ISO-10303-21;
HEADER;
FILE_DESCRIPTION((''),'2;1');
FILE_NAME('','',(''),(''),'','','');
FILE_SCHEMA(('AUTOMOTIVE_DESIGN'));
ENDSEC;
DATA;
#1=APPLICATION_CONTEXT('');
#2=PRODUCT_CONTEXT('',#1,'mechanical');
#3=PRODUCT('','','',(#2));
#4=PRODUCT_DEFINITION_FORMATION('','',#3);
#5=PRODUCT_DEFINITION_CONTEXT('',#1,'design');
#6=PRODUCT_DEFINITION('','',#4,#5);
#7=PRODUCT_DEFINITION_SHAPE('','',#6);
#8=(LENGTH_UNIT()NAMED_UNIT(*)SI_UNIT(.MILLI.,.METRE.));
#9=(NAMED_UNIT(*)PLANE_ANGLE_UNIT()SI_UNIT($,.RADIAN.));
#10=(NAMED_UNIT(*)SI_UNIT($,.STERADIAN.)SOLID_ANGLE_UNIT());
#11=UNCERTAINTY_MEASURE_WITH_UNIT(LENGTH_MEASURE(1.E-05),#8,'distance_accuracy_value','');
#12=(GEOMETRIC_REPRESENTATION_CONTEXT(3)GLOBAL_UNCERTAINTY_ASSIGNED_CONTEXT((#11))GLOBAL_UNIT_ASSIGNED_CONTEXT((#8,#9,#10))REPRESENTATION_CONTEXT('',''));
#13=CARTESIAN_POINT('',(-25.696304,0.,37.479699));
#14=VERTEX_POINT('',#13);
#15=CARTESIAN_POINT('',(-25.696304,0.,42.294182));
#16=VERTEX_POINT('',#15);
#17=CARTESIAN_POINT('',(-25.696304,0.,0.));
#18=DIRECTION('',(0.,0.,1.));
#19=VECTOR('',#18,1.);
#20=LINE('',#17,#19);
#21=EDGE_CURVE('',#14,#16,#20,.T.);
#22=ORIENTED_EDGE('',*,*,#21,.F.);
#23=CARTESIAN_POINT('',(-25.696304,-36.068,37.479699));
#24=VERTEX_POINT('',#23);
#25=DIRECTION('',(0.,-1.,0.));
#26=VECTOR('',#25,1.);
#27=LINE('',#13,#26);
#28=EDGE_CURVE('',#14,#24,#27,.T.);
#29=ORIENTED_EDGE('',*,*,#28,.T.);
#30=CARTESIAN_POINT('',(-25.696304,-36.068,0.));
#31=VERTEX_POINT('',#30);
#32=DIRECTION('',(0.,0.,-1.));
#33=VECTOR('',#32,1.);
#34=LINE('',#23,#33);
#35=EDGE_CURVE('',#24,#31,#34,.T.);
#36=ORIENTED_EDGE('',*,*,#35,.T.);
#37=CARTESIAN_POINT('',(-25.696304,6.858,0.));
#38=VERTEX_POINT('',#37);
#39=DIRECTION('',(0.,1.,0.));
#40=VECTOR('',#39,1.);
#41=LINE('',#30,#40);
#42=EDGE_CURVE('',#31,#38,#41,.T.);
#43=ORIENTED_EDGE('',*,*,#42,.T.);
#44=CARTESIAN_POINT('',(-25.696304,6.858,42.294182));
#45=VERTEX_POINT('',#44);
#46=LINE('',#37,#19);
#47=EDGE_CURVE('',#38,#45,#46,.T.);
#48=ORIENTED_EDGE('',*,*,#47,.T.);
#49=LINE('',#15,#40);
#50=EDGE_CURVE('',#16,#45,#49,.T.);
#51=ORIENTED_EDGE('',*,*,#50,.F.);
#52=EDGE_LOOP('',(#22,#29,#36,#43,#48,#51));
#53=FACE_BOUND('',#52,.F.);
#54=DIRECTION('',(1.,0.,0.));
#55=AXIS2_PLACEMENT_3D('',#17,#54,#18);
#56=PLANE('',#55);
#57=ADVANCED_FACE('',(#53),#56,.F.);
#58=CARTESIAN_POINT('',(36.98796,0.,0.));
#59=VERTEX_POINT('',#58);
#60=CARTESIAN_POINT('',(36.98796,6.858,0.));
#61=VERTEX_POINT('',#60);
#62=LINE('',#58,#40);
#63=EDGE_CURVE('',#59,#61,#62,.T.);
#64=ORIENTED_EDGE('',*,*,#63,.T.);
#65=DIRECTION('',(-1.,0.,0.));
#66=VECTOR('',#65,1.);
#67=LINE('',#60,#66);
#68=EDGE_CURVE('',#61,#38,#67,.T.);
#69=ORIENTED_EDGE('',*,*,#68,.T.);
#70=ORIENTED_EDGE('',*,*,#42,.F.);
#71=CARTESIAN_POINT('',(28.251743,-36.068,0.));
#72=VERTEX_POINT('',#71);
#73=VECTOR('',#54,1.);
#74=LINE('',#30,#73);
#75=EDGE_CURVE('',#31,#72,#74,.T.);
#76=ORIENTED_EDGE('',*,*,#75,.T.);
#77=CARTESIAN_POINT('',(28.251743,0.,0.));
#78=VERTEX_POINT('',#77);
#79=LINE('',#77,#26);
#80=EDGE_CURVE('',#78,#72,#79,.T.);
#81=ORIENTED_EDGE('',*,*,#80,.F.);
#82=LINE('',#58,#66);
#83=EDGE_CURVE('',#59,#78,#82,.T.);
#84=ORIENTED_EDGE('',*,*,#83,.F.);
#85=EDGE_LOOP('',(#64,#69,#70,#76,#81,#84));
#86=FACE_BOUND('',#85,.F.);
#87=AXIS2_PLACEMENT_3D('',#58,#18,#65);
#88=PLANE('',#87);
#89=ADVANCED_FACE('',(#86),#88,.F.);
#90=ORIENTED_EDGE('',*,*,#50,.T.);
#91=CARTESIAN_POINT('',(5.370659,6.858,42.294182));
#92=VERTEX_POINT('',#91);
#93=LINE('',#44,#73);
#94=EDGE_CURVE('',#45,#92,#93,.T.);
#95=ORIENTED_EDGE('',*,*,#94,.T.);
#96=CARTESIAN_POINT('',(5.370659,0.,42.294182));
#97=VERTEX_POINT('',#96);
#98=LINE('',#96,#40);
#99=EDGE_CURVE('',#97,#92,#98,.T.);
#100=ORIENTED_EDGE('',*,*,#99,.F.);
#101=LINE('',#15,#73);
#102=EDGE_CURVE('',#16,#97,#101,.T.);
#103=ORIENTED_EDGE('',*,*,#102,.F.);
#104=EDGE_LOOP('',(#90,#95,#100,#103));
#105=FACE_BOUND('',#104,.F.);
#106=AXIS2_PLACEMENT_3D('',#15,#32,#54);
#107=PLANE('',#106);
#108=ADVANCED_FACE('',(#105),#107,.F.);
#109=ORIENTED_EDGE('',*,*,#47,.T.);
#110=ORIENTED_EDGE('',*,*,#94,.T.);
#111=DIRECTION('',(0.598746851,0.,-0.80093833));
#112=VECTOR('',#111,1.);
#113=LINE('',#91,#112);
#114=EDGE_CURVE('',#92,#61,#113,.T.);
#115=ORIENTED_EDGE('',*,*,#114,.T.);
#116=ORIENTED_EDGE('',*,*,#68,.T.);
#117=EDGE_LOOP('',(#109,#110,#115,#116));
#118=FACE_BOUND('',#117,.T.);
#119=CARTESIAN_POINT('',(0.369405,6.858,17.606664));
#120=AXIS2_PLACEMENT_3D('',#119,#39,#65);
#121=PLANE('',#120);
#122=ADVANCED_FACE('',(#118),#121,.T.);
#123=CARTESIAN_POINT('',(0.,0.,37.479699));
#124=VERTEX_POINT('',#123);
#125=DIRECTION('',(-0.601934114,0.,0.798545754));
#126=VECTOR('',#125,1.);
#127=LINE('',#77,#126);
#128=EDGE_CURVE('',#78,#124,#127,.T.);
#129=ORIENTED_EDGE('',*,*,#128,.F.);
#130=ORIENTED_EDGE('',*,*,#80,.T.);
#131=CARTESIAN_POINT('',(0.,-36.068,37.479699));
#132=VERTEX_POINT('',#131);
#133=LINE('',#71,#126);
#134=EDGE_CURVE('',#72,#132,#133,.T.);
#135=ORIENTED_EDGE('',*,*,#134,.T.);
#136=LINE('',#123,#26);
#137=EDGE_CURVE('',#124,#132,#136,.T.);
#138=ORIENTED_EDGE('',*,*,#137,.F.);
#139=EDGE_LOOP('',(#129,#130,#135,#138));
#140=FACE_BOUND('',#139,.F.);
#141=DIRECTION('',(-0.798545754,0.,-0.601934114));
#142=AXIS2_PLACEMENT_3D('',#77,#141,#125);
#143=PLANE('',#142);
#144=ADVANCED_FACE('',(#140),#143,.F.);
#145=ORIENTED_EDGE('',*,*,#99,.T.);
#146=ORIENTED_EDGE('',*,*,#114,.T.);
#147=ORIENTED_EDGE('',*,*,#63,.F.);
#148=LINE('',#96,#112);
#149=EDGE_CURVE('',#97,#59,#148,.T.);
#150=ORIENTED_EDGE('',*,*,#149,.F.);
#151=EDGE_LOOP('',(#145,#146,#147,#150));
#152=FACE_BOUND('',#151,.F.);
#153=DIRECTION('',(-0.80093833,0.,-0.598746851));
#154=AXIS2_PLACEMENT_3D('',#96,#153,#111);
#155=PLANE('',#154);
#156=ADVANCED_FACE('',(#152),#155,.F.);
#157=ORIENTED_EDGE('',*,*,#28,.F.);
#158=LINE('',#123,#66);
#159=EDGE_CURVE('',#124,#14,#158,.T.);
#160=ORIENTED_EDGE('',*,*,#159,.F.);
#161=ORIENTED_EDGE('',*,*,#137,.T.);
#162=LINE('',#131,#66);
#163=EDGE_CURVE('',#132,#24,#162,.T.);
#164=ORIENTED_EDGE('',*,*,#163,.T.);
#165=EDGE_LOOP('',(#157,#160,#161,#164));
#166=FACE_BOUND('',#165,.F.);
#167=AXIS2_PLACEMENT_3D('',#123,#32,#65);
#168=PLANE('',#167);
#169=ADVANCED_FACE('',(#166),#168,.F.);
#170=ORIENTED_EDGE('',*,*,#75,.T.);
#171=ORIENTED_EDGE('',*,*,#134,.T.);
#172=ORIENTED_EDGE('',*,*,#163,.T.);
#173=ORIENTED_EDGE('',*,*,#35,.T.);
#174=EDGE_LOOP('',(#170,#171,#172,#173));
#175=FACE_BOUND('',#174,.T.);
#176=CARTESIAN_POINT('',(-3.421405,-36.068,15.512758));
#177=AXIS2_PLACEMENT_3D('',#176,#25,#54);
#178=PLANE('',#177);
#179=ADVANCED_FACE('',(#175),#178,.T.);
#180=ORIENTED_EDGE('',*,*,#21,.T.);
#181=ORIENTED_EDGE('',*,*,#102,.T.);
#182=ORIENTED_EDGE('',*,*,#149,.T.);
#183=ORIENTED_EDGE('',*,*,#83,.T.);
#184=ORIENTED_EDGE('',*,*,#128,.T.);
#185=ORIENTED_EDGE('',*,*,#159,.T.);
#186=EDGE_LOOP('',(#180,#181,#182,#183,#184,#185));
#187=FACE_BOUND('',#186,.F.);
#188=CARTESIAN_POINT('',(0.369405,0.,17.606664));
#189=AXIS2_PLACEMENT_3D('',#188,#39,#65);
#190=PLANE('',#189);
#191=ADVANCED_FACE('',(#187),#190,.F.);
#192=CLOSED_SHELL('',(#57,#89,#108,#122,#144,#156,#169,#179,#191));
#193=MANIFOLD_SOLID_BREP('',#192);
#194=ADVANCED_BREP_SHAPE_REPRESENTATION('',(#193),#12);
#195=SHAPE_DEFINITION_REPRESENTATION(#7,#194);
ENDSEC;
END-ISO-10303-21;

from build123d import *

# Parameters (mm, degrees)
F1_DEPTH = 36.068
F3_DEPTH = 6.858


with BuildPart() as f1:
    # F0 (on Front) → F1 (new body)
    with BuildSketch(Plane.XZ):
        Polygon((-25.696304, 37.479699), (-25.696304, 0), (28.251743, 0), (0, 37.479699), align=None)
    extrude(amount=F1_DEPTH)

    # F2 (on face) → F3 (join)
    with BuildSketch(Plane(origin=(0, 0, 0), x_dir=(-1, 0, 0), z_dir=(0, 1, 0))):
        Polygon((-36.98796, 0), (25.696304, 0), (25.696304, 42.294182), (-5.370659, 42.294182), align=None)
    extrude(amount=F3_DEPTH)


solid = f1.part
